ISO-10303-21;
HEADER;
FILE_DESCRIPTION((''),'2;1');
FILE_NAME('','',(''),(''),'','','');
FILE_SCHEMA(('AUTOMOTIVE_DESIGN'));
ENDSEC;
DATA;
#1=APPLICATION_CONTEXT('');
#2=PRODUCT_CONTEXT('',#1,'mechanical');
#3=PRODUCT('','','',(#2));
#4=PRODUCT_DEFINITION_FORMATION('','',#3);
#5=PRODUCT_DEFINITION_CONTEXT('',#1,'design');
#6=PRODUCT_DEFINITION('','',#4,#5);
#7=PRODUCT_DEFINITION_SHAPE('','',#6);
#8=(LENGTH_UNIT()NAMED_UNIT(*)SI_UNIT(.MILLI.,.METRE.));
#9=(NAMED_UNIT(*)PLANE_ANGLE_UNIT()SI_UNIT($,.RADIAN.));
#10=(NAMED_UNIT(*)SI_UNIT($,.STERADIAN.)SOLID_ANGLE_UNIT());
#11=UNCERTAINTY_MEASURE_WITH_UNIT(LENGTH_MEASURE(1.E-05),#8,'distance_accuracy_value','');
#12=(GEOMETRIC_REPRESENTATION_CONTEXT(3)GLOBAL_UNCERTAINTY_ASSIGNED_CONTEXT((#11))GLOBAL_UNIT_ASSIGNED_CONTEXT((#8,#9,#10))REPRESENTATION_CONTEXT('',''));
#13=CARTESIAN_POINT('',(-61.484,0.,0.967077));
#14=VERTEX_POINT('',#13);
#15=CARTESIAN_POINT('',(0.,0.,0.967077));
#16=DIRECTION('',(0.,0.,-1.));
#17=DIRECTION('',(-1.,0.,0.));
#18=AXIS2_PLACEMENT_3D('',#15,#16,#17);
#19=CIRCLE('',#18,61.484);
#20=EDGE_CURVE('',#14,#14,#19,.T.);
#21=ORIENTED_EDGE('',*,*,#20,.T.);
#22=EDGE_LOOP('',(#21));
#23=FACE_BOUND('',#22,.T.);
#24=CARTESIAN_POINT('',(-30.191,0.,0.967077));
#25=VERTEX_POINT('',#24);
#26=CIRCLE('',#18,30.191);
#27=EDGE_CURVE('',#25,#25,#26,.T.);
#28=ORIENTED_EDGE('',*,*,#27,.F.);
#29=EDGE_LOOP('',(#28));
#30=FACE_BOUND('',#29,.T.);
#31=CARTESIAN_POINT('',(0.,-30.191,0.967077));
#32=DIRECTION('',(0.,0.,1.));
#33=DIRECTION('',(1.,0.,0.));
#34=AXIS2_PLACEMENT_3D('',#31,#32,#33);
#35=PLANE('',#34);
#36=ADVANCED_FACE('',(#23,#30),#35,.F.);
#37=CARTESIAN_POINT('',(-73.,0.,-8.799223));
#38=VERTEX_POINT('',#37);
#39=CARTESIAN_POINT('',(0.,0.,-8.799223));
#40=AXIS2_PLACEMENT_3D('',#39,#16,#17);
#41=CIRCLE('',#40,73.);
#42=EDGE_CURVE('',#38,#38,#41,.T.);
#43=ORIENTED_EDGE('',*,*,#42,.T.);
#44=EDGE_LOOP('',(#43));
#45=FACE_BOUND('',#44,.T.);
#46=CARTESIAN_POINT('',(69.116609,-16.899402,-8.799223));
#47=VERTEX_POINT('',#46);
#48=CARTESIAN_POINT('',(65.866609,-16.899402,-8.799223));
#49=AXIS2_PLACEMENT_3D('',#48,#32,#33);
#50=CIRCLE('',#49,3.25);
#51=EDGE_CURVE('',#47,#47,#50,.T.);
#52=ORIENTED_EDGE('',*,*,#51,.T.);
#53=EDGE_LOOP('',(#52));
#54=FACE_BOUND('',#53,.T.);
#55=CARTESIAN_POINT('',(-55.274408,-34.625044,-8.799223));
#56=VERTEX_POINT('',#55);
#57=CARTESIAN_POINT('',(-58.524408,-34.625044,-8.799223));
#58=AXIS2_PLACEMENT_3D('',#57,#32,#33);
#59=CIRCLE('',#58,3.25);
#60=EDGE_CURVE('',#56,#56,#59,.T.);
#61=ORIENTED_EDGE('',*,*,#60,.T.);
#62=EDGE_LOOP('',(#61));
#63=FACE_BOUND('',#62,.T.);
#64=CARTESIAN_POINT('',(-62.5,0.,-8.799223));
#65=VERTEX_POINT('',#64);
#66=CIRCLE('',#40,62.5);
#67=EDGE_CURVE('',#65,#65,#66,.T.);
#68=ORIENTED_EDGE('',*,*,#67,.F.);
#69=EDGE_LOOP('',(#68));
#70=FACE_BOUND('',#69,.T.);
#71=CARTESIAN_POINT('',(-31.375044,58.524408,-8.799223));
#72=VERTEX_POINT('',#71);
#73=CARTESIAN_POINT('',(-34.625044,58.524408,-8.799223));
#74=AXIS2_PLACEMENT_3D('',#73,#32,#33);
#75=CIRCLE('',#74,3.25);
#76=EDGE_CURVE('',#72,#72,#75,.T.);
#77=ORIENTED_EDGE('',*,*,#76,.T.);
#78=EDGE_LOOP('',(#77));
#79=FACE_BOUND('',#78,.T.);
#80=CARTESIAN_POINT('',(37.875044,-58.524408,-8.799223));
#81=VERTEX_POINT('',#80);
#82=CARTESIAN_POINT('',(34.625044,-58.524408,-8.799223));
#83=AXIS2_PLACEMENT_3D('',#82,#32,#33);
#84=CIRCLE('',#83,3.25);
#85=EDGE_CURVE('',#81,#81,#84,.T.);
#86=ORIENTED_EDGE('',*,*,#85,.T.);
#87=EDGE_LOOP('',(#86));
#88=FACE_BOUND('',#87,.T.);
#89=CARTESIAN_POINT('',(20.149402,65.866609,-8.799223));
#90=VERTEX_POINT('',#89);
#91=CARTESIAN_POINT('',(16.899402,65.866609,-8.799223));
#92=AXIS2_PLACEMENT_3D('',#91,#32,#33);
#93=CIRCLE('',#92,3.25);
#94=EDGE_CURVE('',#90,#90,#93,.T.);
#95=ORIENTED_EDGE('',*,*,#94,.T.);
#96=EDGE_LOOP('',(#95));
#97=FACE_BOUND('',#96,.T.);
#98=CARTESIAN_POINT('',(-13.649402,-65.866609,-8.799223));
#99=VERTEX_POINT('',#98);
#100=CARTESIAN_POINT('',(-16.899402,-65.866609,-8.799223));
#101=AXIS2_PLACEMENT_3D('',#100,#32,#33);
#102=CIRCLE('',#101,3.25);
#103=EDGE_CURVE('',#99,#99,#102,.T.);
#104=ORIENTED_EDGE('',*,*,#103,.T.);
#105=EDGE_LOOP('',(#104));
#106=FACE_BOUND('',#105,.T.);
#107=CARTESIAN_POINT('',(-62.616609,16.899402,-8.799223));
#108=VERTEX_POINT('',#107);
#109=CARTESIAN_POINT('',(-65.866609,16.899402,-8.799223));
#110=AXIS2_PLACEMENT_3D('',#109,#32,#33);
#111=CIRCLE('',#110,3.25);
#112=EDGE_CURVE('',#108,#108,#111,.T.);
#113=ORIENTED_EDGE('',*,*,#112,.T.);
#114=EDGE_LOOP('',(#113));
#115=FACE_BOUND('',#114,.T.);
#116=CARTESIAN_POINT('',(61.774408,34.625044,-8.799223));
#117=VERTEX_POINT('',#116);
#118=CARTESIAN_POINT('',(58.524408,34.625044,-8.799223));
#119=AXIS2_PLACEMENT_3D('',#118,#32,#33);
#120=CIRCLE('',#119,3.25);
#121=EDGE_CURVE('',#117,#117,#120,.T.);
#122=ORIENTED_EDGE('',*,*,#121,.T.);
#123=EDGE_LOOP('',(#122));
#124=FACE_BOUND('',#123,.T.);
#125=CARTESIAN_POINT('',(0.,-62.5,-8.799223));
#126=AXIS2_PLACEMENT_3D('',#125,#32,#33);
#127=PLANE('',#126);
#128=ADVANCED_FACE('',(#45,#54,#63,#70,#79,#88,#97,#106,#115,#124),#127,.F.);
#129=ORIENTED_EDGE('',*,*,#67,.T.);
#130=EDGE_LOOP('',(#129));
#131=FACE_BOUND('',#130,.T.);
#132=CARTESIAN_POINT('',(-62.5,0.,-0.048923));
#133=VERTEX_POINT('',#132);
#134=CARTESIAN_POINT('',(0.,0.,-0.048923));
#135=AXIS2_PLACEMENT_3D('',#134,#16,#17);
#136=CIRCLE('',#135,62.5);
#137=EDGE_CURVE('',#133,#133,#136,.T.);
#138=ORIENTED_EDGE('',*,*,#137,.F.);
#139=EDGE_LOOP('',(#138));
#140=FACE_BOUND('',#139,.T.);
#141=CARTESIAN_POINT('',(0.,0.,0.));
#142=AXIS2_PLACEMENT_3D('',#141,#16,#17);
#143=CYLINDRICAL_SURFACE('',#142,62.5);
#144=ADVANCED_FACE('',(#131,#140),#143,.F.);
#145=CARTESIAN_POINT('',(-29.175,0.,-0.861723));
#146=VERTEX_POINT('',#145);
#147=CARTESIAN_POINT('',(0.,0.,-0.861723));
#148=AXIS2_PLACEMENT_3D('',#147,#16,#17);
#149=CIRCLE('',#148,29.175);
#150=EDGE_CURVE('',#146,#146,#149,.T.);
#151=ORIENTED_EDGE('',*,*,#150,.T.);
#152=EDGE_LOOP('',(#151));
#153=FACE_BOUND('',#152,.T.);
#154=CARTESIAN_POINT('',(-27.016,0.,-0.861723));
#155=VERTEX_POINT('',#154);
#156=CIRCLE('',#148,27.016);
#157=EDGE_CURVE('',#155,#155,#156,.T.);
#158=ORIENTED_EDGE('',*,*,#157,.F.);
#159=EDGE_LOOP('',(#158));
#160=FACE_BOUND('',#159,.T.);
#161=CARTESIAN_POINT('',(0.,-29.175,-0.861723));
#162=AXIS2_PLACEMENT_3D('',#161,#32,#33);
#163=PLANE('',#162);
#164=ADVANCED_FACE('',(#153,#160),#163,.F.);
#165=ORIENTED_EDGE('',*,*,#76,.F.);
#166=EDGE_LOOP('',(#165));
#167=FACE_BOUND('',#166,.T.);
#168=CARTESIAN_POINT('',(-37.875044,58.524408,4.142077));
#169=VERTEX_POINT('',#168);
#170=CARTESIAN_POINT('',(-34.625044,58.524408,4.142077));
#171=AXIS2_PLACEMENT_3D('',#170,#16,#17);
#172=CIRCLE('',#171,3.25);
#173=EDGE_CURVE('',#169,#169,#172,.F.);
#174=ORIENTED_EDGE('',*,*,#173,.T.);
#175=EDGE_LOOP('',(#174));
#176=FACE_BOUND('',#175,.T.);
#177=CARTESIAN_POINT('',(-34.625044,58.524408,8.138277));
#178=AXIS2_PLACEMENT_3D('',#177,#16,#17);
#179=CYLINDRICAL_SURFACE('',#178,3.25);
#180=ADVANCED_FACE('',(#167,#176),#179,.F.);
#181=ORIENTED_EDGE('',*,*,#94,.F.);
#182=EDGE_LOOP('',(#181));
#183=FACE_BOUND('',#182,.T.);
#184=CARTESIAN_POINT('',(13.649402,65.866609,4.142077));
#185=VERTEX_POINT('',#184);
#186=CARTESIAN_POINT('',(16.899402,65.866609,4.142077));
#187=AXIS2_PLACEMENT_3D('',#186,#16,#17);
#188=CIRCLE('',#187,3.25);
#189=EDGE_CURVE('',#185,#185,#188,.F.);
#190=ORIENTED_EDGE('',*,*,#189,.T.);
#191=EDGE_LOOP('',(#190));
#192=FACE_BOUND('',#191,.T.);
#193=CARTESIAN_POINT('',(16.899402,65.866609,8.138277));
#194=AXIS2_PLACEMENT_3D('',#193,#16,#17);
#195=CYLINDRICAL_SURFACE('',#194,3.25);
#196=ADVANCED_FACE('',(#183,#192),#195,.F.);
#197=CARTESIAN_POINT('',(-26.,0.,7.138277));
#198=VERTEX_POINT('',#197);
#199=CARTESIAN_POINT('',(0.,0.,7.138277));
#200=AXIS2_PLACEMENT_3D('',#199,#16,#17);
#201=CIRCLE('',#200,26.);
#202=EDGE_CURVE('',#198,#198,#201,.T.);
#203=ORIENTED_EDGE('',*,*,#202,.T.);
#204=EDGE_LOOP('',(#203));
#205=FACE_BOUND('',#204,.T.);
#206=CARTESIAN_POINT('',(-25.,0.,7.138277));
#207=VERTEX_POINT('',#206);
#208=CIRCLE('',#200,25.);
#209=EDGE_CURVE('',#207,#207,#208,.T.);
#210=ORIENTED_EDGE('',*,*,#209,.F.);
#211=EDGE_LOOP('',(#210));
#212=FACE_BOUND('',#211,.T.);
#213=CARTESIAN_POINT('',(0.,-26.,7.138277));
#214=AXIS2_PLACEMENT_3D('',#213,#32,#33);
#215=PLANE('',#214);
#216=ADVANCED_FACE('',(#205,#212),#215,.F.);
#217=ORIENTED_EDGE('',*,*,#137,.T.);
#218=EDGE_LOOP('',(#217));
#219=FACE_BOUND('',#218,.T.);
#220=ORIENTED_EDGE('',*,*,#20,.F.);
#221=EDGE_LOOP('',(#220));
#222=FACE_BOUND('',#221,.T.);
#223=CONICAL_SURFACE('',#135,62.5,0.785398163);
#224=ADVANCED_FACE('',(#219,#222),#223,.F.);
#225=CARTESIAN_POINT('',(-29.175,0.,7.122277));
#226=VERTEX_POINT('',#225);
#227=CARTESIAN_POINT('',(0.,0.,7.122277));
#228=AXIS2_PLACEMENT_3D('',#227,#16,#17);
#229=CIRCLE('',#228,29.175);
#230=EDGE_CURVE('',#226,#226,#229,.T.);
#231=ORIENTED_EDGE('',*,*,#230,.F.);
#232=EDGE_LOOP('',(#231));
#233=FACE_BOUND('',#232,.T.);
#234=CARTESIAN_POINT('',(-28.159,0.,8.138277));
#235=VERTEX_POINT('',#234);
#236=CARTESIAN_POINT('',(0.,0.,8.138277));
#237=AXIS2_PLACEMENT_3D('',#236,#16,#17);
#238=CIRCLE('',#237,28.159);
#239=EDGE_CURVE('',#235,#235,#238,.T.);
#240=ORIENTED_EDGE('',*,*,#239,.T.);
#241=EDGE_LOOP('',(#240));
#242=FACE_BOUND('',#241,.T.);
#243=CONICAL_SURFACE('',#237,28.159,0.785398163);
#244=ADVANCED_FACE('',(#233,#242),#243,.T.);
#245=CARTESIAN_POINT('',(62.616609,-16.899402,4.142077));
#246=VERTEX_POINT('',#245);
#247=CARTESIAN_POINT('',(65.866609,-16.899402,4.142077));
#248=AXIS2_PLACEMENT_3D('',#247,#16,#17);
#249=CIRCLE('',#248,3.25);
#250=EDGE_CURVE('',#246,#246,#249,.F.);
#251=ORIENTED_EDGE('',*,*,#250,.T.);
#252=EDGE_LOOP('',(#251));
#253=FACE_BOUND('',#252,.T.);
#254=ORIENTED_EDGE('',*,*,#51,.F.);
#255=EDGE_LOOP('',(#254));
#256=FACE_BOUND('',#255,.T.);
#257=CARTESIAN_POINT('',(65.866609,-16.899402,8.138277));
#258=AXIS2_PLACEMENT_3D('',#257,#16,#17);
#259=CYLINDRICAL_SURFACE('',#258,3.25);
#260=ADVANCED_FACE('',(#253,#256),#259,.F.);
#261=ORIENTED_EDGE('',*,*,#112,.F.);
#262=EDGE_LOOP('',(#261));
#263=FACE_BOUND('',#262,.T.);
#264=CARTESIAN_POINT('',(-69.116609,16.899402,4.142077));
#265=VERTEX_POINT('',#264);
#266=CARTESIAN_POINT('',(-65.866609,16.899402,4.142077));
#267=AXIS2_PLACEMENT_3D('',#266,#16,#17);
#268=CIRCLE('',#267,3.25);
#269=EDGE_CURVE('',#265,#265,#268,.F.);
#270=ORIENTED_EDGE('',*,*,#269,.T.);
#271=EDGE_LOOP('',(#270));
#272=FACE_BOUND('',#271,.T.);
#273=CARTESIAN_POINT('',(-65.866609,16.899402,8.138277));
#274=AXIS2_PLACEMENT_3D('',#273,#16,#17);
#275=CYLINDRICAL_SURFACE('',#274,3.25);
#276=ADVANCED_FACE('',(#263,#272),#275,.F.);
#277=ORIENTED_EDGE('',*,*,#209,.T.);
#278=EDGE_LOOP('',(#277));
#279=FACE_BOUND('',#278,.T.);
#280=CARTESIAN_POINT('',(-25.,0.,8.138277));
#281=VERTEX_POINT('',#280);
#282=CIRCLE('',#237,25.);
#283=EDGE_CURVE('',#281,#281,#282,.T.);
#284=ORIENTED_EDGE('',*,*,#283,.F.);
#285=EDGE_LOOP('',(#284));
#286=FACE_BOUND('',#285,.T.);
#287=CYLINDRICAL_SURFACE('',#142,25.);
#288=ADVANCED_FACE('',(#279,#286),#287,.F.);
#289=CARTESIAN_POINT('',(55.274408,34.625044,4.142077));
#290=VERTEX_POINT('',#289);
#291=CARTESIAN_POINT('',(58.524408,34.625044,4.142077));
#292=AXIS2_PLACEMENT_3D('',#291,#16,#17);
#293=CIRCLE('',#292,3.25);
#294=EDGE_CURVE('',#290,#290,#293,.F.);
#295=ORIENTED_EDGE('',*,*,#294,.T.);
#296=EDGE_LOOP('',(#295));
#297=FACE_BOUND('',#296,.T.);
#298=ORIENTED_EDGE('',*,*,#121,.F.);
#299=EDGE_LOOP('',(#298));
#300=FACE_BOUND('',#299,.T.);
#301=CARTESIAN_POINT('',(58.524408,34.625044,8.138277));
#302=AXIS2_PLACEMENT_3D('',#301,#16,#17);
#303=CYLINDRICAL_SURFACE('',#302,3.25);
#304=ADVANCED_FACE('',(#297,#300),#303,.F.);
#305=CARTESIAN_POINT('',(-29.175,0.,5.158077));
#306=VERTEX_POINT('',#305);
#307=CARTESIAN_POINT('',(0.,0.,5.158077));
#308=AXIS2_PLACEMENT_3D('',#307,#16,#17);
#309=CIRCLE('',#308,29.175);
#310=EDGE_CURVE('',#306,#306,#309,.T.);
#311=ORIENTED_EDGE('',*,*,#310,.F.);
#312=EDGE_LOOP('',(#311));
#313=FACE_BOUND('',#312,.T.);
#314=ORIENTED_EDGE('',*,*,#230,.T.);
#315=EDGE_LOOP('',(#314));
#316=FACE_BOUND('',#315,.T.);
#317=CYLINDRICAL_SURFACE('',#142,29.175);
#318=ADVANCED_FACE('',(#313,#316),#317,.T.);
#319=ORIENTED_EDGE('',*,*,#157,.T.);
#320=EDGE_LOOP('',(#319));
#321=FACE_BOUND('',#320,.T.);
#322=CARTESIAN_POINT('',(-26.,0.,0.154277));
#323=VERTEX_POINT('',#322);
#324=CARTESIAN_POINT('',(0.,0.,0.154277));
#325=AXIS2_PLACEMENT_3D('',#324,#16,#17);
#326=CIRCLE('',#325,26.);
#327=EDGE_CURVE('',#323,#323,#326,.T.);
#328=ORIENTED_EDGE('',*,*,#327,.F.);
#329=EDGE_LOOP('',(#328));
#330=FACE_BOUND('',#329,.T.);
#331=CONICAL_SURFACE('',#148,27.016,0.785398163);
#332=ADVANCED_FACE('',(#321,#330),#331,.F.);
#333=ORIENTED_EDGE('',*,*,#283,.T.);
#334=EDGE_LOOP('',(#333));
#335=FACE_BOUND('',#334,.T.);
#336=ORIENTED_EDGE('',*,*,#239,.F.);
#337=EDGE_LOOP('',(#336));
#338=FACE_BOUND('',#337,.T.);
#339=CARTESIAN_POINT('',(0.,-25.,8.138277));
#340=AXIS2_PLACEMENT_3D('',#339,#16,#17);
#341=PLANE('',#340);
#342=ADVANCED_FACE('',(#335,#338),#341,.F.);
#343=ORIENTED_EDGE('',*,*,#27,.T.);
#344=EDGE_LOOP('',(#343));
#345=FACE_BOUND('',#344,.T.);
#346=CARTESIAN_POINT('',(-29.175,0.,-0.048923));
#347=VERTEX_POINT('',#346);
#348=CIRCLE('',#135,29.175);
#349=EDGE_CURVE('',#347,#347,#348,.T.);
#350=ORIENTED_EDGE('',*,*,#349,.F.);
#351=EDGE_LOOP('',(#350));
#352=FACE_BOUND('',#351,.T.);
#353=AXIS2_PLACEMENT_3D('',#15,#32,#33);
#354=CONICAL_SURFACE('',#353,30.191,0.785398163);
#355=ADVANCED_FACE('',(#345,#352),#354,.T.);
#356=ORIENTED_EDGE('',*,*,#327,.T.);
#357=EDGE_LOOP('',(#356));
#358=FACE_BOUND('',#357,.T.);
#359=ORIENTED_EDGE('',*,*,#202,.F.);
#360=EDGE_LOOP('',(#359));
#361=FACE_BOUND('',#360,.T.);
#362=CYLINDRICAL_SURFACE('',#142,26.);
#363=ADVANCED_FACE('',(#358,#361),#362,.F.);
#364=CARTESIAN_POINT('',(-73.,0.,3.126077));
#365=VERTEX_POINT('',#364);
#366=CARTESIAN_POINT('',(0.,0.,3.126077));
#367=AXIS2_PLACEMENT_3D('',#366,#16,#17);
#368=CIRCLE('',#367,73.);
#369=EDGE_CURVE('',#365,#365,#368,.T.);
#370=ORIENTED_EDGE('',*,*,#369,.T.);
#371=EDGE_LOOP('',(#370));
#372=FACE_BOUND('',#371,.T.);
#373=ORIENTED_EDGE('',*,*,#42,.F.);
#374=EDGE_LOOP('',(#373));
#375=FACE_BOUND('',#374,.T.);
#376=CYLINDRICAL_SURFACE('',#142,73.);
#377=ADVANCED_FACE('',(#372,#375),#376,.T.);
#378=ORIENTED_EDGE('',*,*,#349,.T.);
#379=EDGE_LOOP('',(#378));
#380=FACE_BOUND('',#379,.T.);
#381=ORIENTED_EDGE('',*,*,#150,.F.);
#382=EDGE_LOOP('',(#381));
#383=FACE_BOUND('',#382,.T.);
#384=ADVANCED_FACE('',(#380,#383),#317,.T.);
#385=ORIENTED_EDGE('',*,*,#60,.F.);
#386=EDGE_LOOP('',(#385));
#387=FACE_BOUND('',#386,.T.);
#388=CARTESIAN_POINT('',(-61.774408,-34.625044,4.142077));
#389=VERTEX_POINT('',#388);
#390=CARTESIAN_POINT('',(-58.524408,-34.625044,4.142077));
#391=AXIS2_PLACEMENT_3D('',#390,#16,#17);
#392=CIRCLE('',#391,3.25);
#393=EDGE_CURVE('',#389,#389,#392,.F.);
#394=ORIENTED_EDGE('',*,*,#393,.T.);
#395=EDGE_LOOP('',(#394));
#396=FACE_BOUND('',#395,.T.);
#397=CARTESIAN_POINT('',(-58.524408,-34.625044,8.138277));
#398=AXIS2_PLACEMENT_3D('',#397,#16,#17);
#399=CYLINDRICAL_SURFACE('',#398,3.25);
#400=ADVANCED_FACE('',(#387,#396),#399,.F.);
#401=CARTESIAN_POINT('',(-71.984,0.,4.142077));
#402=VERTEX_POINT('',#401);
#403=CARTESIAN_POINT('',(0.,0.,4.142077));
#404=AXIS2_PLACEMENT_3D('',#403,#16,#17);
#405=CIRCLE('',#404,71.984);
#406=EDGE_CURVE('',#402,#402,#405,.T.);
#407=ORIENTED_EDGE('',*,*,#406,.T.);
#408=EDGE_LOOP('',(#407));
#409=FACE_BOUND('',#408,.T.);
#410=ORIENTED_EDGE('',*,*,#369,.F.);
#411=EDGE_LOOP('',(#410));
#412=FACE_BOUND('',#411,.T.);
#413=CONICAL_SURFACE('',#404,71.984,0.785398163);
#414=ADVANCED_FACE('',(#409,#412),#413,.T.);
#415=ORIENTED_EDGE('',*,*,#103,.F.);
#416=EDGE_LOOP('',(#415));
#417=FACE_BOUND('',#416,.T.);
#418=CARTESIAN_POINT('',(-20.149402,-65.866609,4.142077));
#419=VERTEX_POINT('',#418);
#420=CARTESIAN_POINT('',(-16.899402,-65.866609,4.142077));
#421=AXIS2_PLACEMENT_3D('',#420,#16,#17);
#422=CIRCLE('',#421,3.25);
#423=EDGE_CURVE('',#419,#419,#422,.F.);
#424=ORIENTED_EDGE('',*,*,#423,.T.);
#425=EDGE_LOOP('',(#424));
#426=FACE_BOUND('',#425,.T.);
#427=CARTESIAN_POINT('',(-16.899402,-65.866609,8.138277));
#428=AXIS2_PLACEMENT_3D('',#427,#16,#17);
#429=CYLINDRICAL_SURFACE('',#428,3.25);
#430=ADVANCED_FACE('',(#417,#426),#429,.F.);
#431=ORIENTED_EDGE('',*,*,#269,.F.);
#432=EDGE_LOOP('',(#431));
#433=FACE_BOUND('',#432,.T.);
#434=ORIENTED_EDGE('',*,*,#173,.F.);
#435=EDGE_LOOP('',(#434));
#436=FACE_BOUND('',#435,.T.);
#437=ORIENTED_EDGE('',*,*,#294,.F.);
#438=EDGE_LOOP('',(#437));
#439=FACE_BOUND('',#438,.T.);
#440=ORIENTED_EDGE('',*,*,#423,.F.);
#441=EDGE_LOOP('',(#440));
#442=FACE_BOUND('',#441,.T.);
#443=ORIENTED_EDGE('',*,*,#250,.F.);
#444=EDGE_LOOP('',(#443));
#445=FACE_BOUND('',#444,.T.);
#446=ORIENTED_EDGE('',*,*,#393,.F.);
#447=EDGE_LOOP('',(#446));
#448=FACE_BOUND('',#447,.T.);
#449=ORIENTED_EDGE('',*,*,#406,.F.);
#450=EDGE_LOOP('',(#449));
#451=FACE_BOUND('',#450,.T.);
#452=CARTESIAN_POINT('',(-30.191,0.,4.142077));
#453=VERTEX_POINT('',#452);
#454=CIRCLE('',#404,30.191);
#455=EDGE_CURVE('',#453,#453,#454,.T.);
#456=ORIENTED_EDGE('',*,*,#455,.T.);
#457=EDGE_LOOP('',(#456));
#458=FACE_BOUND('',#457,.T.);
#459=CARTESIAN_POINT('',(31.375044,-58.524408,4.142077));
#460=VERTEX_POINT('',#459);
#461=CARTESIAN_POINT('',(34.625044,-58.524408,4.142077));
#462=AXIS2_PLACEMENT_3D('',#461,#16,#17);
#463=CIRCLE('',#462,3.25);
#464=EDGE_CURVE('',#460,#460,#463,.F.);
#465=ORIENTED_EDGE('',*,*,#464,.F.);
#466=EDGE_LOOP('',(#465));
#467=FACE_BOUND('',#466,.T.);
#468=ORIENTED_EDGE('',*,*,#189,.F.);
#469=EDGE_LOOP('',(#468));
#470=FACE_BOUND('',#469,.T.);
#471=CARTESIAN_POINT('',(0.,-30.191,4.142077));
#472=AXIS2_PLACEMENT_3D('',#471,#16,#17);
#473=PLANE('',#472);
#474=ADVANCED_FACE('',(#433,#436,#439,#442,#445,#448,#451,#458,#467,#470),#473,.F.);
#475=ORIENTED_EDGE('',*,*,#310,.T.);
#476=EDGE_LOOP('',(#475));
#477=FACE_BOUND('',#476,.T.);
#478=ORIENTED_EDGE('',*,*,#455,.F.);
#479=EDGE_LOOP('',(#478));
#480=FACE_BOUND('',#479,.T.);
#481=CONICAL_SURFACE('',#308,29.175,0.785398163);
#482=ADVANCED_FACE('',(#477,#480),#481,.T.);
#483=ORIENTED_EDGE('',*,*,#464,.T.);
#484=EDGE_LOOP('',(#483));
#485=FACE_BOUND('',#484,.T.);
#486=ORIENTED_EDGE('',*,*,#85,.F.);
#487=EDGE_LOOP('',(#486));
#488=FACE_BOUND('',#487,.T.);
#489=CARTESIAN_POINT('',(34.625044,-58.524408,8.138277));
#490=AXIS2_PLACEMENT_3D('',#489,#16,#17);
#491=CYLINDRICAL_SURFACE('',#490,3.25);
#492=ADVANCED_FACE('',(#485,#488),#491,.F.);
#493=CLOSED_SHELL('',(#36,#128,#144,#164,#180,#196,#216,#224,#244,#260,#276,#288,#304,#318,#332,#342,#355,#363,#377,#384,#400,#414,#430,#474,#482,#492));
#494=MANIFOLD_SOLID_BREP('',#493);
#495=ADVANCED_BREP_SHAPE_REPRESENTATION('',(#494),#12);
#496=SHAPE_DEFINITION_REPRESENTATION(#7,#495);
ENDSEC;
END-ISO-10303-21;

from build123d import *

# Parameters (mm, degrees)
SKETCH2_R               = 3.25
CUT_EXTRUDE1_DEPTH      = 9.138277453
CUT_EXTRUDE1_DEPTH_BACK = 9.799222547


with BuildPart() as part:
    # Sketch1 → Revolve1 (revolve)
    with BuildSketch(Plane(origin=(0, 0, 0), x_dir=(0, 0, -1), z_dir=(1, 0, 0))):
        Polygon((0.861722547, -29.175), (0.048922547, -29.175), (-0.967077453, -30.191), (-0.967077453, -61.484), (0.048922547, -62.5), (8.799222547, -62.5), (8.799222547, -73), (-3.126077453, -73), (-4.142077453, -71.984), (-4.142077453, -30.191), (-5.158077453, -29.175), (-7.122277453, -29.175), (-8.138277453, -28.159), (-8.138277453, -25), (-7.138277453, -25), (-7.138277453, -26), (-0.154277453, -26), (0.861722547, -27.016), align=None)
    revolve(axis=Axis((0, 0, 0), (0, 0, 1)))

    # Sketch2 → Cut-Extrude1 (cut, two sides)
    with BuildSketch(Plane.XY) as cut_extrude1_sk:
        with Locations((-58.52440797, -34.625043996)):
            Circle(SKETCH2_R)
        with Locations((-65.866609149, 16.899402332)):
            Circle(SKETCH2_R)
        with Locations((-34.625043996, 58.52440797)):
            Circle(SKETCH2_R)
        with Locations((16.899402332, 65.866609149)):
            Circle(SKETCH2_R)
        with Locations((58.52440797, 34.625043996)):
            Circle(SKETCH2_R)
        with Locations((65.866609149, -16.899402332)):
            Circle(SKETCH2_R)
        with Locations((34.625043996, -58.52440797)):
            Circle(SKETCH2_R)
        with Locations((-16.899402332, -65.866609149)):
            Circle(SKETCH2_R)
    extrude(amount=CUT_EXTRUDE1_DEPTH, mode=Mode.SUBTRACT)
    extrude(cut_extrude1_sk.sketch, amount=-CUT_EXTRUDE1_DEPTH_BACK, mode=Mode.SUBTRACT)


solid = part.part
